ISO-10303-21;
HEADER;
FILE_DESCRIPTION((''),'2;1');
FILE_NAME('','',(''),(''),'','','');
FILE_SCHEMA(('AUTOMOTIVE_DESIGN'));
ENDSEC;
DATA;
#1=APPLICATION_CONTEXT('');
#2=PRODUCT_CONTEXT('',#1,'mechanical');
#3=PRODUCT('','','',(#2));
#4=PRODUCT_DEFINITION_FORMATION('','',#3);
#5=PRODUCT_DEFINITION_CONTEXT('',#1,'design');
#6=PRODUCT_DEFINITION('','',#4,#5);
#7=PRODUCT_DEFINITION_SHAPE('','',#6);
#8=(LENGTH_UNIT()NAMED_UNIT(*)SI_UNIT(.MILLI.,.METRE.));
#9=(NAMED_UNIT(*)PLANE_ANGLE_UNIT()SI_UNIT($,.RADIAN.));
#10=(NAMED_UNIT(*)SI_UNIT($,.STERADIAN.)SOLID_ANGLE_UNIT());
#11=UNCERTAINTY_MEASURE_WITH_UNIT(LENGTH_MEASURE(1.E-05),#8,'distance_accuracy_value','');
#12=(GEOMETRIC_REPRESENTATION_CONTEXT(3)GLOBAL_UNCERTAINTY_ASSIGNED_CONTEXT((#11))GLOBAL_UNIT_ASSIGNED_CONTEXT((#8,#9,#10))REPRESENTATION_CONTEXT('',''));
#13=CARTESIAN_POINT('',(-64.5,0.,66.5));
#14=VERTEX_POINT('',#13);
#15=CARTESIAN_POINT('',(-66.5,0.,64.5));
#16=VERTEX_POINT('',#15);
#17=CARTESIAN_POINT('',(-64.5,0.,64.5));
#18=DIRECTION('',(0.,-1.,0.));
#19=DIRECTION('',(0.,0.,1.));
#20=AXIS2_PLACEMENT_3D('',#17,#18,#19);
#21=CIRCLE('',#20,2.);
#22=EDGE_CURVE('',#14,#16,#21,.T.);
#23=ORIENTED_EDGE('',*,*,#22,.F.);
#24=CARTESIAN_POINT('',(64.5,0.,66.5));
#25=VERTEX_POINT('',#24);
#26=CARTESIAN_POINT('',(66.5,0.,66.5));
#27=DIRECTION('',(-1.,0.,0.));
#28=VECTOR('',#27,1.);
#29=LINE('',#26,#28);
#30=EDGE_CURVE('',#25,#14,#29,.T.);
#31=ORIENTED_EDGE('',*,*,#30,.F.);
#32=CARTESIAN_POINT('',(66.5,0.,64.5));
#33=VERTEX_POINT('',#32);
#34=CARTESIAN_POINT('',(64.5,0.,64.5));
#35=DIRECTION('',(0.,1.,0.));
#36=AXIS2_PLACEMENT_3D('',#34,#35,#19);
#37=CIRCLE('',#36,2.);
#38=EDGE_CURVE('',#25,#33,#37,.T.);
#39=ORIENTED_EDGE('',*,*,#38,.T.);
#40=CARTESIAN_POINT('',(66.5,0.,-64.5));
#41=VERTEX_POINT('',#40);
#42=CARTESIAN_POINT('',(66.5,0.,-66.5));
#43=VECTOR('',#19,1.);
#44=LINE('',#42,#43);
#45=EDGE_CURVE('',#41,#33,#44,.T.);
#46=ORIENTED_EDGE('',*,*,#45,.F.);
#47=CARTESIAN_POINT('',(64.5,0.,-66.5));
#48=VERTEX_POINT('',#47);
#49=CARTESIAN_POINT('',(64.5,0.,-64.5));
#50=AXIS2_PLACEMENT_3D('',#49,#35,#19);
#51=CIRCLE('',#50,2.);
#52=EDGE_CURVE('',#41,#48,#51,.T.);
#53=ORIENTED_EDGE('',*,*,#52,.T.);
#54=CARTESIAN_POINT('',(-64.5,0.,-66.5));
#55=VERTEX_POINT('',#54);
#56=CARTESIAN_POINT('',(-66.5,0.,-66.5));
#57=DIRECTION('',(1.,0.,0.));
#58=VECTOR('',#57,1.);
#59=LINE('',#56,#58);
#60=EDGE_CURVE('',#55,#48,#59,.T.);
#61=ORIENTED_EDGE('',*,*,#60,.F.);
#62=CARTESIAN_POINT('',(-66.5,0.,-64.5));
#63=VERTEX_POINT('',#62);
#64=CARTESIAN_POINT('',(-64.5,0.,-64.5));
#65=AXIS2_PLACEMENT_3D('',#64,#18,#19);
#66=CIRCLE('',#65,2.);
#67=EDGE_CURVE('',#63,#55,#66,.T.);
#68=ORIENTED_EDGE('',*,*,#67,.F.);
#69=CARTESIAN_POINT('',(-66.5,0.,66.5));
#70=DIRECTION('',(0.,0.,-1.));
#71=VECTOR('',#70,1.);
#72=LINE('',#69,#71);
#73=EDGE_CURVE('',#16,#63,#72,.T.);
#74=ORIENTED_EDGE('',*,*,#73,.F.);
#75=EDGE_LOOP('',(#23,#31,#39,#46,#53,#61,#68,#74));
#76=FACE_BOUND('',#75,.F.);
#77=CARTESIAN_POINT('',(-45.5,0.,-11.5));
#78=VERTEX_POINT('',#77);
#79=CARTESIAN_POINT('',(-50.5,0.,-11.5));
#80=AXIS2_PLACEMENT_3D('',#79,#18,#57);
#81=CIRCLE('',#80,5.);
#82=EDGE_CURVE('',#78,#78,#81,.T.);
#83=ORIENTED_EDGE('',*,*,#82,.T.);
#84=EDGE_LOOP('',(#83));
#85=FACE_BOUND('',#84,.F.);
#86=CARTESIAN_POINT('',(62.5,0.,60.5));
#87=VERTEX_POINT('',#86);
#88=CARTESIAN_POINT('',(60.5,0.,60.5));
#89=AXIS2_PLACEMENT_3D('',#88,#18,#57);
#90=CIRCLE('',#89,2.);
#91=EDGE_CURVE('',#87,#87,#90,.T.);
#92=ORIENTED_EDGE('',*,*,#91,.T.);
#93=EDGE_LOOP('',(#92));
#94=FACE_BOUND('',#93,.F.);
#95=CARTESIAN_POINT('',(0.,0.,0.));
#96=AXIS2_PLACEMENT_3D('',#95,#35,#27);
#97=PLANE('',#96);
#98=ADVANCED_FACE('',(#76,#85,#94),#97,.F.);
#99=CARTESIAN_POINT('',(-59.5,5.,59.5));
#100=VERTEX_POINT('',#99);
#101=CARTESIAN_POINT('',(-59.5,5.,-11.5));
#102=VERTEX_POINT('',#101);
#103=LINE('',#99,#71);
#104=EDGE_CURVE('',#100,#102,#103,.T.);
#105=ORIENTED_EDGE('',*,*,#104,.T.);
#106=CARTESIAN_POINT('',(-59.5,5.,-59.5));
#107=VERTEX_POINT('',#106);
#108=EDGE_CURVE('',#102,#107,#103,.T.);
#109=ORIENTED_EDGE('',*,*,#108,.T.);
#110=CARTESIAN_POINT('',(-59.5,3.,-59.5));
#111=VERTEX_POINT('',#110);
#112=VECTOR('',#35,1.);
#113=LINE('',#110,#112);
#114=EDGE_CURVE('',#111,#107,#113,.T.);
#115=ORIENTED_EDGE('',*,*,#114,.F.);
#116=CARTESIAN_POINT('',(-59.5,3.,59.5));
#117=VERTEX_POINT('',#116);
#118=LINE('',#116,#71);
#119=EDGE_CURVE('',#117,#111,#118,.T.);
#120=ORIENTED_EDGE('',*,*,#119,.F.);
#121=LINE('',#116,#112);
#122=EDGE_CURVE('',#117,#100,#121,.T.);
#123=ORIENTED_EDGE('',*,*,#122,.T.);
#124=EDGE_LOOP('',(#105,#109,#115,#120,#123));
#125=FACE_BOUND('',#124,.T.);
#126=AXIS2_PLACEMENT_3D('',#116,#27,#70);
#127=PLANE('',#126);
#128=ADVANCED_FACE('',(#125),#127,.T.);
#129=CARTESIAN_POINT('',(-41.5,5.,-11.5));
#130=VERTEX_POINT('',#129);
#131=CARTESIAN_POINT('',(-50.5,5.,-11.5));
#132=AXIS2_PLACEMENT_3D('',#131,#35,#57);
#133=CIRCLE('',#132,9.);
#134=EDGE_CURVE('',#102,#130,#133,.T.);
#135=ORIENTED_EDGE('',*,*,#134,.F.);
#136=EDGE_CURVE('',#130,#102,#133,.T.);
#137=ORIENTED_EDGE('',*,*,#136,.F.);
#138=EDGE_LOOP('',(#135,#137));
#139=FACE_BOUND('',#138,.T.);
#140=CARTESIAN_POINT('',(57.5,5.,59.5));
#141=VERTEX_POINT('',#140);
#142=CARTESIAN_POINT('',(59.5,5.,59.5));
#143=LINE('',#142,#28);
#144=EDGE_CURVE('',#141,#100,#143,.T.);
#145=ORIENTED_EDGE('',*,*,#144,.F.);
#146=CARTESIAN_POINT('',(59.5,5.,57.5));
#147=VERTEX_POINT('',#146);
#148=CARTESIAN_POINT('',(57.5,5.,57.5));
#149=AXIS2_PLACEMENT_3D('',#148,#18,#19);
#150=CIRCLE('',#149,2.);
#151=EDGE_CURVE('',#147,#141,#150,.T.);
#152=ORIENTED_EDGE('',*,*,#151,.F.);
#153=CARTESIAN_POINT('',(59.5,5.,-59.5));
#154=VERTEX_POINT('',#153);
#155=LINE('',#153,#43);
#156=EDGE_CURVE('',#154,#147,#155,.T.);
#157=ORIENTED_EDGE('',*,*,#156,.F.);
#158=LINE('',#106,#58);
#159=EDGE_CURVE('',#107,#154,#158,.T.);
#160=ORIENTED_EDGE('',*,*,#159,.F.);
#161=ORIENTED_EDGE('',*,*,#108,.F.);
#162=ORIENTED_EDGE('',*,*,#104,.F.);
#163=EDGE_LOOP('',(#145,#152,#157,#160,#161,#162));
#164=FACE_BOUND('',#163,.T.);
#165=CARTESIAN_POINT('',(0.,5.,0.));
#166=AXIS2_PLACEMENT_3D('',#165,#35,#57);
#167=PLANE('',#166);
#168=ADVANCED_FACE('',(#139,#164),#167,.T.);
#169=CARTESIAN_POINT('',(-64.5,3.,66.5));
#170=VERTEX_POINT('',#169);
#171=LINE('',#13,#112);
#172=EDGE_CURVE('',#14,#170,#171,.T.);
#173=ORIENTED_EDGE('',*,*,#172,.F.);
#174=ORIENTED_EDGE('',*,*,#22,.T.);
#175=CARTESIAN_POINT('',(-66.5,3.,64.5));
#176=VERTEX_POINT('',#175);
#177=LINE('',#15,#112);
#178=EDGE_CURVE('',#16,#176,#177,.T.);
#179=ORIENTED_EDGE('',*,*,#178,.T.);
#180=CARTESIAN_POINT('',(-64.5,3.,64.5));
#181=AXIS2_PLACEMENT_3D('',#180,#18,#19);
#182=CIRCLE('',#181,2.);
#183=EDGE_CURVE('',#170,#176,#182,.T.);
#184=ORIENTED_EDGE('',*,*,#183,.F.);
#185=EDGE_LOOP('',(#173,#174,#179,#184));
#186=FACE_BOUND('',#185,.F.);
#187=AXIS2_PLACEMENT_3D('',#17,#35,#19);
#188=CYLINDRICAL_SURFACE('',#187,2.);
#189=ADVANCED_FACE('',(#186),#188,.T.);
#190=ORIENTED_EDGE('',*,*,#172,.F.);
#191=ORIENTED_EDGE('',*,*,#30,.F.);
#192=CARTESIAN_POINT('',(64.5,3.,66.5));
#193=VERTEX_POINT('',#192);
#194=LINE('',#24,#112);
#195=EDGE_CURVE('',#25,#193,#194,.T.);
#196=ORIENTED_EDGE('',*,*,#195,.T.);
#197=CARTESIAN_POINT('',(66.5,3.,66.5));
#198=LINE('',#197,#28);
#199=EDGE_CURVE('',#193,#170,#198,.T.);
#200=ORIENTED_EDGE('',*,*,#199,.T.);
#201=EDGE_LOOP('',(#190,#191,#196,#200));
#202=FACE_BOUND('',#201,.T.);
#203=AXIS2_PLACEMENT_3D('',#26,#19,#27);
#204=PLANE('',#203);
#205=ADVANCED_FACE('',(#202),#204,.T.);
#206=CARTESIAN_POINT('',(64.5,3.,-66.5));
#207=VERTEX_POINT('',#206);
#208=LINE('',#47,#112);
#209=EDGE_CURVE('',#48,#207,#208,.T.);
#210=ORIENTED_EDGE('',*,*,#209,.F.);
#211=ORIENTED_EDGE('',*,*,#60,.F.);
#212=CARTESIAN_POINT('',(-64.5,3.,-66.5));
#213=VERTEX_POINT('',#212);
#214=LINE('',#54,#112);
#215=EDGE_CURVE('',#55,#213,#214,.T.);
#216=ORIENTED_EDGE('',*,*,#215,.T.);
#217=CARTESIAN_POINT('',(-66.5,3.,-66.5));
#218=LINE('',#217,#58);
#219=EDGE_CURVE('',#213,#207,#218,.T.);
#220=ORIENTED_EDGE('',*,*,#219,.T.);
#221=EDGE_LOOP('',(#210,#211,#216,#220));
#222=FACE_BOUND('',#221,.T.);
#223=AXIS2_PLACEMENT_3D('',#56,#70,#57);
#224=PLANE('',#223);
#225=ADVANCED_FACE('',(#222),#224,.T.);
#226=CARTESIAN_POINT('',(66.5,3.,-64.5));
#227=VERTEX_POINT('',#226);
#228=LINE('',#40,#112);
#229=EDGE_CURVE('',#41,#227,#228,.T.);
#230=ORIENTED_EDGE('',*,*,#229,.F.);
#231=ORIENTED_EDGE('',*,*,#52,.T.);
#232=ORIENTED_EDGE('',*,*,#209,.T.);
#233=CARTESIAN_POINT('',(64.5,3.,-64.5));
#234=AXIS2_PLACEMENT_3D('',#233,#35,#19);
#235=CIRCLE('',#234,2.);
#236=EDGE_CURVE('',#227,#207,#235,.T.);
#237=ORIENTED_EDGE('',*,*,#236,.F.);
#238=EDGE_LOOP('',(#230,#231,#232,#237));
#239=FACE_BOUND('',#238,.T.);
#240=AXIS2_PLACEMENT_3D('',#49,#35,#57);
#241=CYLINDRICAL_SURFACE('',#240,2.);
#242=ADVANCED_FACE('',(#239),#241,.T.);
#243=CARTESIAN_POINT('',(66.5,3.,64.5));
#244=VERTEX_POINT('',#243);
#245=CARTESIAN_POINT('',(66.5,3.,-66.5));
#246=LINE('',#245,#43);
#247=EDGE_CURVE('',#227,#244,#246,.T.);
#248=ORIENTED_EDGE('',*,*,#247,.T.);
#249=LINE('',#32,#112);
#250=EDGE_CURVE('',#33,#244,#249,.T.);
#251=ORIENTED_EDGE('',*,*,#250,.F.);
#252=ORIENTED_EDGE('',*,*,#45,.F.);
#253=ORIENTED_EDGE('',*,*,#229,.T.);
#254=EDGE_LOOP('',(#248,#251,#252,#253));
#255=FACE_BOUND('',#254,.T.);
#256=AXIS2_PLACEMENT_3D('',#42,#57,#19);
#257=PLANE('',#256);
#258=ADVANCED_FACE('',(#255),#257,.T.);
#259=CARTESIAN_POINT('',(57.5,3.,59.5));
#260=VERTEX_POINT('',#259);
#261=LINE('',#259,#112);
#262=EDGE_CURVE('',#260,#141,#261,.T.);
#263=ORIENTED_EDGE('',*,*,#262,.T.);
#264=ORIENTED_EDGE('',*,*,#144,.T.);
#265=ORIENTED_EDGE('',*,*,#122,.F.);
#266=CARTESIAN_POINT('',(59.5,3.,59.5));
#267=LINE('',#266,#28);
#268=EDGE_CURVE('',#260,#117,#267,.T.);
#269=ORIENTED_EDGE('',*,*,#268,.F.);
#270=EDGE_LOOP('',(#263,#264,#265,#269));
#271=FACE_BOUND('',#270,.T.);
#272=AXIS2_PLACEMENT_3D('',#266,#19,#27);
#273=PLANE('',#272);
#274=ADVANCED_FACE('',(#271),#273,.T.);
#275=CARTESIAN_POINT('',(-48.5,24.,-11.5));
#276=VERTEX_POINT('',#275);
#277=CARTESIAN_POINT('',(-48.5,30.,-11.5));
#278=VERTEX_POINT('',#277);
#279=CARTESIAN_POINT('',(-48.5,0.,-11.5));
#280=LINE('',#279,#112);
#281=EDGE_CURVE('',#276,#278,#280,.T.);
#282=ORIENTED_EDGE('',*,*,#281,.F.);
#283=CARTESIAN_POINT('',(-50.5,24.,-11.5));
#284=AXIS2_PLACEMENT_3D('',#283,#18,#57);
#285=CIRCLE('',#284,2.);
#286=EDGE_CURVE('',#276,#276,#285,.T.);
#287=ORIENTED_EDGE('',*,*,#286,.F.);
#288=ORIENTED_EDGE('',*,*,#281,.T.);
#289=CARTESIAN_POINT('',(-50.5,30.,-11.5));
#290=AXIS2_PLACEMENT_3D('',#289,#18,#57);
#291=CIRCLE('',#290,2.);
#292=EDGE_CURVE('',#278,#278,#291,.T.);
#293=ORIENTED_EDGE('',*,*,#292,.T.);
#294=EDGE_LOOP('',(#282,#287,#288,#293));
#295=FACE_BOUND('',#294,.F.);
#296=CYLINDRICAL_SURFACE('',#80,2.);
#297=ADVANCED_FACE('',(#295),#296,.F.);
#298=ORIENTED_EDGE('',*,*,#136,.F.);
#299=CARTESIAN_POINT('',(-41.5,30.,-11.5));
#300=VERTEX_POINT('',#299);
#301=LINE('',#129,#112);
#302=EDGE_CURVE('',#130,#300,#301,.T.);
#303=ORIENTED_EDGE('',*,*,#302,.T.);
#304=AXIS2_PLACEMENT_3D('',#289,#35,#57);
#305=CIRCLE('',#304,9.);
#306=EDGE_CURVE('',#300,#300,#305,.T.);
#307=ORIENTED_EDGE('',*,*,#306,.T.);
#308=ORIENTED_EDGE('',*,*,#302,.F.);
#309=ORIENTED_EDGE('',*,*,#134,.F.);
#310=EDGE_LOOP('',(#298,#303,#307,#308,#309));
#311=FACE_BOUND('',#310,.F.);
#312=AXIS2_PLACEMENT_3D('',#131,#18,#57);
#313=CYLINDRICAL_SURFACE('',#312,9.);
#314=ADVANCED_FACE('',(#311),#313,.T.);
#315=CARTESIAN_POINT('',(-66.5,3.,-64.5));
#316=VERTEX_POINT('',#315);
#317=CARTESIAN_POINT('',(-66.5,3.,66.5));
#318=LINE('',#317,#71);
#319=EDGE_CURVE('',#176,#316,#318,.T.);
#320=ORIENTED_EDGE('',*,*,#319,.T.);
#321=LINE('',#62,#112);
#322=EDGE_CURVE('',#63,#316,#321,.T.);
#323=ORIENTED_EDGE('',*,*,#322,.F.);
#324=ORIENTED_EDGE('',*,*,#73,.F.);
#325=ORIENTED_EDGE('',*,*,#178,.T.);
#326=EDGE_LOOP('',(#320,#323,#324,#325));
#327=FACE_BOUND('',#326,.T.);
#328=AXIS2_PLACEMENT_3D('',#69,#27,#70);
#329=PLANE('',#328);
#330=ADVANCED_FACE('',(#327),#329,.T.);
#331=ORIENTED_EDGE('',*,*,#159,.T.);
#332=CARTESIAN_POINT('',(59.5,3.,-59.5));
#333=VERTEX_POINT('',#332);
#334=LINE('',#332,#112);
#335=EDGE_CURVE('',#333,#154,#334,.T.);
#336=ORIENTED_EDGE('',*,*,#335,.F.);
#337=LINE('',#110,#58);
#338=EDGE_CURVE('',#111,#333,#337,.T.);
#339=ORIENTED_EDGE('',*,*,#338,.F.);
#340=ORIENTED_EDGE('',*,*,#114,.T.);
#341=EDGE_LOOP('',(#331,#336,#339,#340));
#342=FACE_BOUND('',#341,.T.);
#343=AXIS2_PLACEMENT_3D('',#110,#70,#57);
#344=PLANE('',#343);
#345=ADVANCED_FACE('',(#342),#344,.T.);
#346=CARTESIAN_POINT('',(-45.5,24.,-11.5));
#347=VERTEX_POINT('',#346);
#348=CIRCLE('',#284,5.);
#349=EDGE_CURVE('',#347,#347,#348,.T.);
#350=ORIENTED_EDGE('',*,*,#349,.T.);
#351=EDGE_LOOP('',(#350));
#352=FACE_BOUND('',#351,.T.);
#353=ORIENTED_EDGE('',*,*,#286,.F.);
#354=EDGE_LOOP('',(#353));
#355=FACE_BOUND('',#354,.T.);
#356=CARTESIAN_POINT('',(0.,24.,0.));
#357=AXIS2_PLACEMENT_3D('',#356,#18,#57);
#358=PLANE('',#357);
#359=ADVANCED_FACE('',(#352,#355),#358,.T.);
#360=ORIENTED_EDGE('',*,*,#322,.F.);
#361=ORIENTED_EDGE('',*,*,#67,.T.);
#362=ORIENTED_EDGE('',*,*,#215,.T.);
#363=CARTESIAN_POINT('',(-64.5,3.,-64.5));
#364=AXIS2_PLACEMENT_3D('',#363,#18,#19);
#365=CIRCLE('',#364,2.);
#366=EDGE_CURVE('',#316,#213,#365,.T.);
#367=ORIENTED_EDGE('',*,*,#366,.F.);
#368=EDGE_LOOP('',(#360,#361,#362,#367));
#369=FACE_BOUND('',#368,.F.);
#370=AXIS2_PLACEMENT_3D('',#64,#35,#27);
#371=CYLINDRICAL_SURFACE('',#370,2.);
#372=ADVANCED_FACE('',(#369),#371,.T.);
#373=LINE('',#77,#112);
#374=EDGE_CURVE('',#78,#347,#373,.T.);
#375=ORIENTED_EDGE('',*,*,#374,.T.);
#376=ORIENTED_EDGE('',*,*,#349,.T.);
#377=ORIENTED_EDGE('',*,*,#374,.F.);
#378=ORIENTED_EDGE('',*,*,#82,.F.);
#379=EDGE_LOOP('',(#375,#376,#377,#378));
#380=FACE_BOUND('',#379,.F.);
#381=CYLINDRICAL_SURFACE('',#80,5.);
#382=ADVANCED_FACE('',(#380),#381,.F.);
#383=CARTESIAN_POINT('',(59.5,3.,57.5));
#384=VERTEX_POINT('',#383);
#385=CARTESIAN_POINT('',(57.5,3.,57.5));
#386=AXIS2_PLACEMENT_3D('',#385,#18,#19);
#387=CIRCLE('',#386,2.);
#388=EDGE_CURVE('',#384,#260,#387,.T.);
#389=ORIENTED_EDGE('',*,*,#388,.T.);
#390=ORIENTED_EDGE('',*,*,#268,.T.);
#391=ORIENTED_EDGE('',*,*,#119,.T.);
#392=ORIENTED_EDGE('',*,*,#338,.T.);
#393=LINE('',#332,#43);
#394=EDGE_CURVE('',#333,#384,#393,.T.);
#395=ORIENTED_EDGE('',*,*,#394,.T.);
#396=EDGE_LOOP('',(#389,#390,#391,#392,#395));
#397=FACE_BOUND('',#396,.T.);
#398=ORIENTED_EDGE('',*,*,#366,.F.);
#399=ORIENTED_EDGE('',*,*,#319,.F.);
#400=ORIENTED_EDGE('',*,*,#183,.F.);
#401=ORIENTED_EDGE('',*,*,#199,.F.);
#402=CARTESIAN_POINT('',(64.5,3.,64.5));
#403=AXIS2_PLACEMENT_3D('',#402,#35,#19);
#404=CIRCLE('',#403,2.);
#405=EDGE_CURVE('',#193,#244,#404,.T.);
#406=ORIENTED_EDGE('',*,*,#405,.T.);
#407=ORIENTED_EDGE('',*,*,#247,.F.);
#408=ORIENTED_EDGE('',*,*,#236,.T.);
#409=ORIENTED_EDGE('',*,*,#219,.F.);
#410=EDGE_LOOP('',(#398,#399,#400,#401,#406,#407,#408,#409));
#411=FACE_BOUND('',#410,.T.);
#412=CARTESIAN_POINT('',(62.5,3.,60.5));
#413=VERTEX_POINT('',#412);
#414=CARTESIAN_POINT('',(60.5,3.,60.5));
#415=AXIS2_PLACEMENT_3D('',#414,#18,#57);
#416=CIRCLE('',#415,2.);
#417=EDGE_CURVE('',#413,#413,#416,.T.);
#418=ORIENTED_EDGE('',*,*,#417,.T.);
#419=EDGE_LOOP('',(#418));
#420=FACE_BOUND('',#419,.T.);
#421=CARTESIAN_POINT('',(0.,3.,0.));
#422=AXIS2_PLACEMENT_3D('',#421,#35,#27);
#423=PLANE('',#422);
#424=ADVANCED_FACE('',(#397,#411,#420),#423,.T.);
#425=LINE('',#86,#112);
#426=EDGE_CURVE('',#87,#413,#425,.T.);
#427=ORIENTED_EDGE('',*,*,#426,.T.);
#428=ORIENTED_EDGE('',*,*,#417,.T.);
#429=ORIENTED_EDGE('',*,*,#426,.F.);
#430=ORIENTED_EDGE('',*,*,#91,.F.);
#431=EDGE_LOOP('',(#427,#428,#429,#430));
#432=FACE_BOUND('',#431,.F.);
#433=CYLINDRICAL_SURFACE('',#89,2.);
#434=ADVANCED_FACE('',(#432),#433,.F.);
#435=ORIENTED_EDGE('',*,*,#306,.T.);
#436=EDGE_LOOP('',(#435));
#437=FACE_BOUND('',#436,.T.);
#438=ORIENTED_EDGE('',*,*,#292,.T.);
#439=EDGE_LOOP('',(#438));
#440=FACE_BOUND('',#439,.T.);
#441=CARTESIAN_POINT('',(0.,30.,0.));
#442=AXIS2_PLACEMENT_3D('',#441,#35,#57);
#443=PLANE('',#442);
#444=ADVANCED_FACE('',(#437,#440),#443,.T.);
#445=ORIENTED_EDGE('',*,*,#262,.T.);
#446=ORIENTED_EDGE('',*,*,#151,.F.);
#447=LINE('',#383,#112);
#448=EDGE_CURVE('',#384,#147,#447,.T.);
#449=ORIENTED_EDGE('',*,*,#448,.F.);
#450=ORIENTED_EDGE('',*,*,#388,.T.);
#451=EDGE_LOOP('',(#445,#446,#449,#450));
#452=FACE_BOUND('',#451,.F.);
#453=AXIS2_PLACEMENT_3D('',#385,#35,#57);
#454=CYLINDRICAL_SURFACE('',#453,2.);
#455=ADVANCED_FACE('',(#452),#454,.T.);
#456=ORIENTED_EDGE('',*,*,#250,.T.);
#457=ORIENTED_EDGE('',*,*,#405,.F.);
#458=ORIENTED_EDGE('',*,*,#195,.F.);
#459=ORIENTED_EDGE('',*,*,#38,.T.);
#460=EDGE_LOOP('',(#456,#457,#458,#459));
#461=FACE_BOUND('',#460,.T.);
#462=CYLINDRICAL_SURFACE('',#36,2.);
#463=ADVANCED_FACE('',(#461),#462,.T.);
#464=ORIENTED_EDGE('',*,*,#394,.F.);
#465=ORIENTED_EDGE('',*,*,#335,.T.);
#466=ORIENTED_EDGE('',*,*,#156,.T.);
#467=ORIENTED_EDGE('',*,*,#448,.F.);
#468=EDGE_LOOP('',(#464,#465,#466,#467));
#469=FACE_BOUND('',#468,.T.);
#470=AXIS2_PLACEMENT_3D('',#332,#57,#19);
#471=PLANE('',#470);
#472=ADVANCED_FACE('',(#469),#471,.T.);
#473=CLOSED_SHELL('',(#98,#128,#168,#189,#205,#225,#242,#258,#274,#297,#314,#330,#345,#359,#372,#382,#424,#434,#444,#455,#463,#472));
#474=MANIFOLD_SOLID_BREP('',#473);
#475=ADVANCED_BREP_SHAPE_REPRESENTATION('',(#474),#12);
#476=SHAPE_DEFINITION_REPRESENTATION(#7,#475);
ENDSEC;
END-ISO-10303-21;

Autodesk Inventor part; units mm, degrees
ref_plane "YZ Plane" through (0, 0, 0) normal (1, 0, 0) x (0, 1, 0)
ref_plane "XZ Plane" through (0, 0, 0) normal (0, 1, 0) x (-1, 0, 0)
ref_plane "XY Plane" through (0, 0, 0) normal (0, 0, 1) x (1, 0, 0)
sketch "Esboço1" plane through (0, 0, 0) normal (0, 1, 0) x (-1, 0, 0)
  line L0 (-66.5, 66.5) -> (66.5, 66.5)
  line L1 (66.5, 66.5) -> (66.5, -66.5)
  line L2 (66.5, -66.5) -> (-66.5, -66.5)
  line L3 (-66.5, -66.5) -> (-66.5, 66.5)
  line L4 (-66.5, 66.5) -> (66.5, -66.5) construction
  line L5 (66.5, 66.5) -> (-66.5, -66.5) construction
  point P0 (0, 0)
  dimension "d0" = 133
  dimension "d1" = 133
extrude "Extrusão1" add sketch "Esboço1" along normal blind 3
sketch "Esboço2" plane through (0, 3, 0) normal (0, 1, 0) x (1, 0, 0)
  line L0 (59.5, -59.5) -> (-59.5, -59.5)
  line L1 (-59.5, -59.5) -> (-59.5, 59.5)
  line L2 (-59.5, 59.5) -> (59.5, 59.5)
  line L3 (59.5, 59.5) -> (59.5, -59.5)
  line L4 (59.5, -59.5) -> (-59.5, 59.5) construction
  line L5 (-59.5, -59.5) -> (59.5, 59.5) construction
  line L6 (-66.5, 66.5) -> (-66.5, -66.5) projected
  line L7 (66.5, 66.5) -> (-66.5, 66.5) projected
  point P0 (0, 0)
  dimension "d4" = 7
  dimension "d5" = 7
extrude "Extrusão2" add sketch "Esboço2" along normal blind 2
sketch "Esboço3" plane through (0, 5, 0) normal (0, 1, 0) x (1, 0, 0)
  circle A0 centre (-50.5, 11.5) radius 9
  line L0 (-66.5, -66.5) -> (66.5, -66.5) projected
  line L1 (-66.5, 66.5) -> (-66.5, -66.5) projected
  line L2 (66.5, 66.5) -> (-66.5, 66.5) projected
  point P0 (0, 0)
  dimension "d8" = 18
  dimension "d10" = 16
  dimension "d20" = 55
extrude "Extrusão3" add sketch "Esboço3" along normal blind 25
sketch "Esboço4" plane through (0, 0, 0) normal (0, -1, 0) x (1, 0, 0)
  circle A0 centre (-50.5, -11.5) radius 9 projected
  circle A1 centre (-50.5, -11.5) radius 2
  point P0 (0, 0)
  dimension "d13" = 4
extrude "Extrusão4" cut sketch "Esboço4" against normal blind 31.25 contours A1
sketch "Esboço5" plane through (0, 0, 0) normal (0, -1, 0) x (1, 0, 0)
  circle A0 centre (-50.5, -11.5) radius 2 projected
  circle A1 centre (-50.5, -11.5) radius 5
  point P0 (0, 0)
  dimension "d16" = 10
extrude "Extrusão5" cut sketch "Esboço5" against normal blind 24
fillet "Arredondamento1" radius 2 4 edges at (-66.5, 1.5, -66.5) (66.5, 1.5, -66.5) (66.5, 1.5, 66.5) (-66.5, 1.5, 66.5)
sketch "Esboço6" plane through (0, 0, 0) normal (0, -1, 0) x (1, 0, 0)
  circle A0 centre (60.5, 60.5) radius 2
  line L0 (-64.5, 66.5) -> (64.5, 66.5) projected
  line L1 (66.5, 64.5) -> (66.5, -64.5) projected
  point P0 (0, 0)
  dimension "d21" = 4
  dimension "d22" = 6
  dimension "d23" = 6
fillet "Arredondamento2" radius 2 1 edges at (59.5, 4, 59.5)
extrude "Extrusão6" cut sketch "Esboço6" against normal blind 10
properties part number "tampa caixa armazenamneto"
